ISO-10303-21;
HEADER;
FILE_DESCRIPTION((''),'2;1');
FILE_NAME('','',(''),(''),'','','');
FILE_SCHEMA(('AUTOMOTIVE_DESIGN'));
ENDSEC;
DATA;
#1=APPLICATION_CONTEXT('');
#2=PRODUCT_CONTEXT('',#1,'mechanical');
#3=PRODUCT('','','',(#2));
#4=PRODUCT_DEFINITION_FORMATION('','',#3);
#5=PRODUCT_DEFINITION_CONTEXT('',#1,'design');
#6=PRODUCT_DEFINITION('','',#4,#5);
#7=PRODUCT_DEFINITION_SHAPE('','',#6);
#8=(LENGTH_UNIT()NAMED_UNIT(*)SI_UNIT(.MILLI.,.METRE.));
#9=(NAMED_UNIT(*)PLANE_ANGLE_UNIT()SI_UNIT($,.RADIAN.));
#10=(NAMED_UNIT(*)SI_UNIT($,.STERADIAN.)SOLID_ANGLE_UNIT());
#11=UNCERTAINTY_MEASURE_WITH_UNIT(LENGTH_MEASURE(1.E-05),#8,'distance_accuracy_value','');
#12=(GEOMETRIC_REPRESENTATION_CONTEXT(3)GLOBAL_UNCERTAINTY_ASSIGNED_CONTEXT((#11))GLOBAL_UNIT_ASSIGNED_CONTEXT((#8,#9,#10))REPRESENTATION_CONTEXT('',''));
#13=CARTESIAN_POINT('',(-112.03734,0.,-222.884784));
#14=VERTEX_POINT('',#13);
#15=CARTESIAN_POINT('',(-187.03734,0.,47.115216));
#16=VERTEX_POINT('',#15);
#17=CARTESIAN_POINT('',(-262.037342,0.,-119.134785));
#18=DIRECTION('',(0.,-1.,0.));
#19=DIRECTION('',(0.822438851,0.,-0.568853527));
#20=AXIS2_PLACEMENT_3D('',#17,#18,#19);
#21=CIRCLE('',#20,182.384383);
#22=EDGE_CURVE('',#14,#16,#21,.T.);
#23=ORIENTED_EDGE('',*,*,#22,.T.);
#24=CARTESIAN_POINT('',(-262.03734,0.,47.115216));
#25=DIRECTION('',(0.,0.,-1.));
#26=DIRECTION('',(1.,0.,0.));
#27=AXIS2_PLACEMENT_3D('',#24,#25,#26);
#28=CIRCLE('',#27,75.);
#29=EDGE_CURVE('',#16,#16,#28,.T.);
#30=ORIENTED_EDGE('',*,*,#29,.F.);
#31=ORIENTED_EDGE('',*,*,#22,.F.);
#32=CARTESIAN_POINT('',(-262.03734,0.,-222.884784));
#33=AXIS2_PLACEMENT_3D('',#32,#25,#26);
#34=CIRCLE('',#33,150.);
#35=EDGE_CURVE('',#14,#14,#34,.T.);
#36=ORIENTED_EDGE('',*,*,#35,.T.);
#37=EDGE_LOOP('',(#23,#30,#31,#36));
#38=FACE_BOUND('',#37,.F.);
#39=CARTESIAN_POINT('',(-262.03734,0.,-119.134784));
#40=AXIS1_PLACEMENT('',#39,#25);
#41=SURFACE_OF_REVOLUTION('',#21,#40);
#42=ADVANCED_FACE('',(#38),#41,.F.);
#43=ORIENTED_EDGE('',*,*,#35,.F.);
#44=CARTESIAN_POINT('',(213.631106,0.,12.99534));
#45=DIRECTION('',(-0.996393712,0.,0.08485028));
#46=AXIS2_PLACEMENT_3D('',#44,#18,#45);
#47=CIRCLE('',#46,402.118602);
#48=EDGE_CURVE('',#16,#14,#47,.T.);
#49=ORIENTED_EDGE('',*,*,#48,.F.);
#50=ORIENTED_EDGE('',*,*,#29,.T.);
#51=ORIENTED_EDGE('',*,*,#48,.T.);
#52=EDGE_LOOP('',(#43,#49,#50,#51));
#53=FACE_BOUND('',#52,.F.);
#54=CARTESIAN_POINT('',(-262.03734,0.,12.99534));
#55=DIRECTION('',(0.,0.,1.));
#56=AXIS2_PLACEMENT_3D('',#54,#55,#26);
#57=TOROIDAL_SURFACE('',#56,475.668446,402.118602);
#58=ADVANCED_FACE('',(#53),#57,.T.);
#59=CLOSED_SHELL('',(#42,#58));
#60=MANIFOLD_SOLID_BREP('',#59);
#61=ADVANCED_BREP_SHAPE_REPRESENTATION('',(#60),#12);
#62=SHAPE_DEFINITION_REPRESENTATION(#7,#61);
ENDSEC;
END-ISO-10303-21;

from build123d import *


with BuildPart() as f1:
    # F0 (on Front) → F1 (revolve)
    with BuildSketch(Plane.XZ):
        with BuildLine():
            ThreePointArc((-187.03734, 47.115216), (-173.817368, -94.629237), (-112.03734, -222.884784))
            ThreePointArc((-112.03734, -222.884784), (-86.306723, -70.320724), (-187.03734, 47.115216))
        make_face()
    revolve(axis=Axis((-262.03734, 0, -119.134784), (0, 0, -1)))


solid = f1.part
